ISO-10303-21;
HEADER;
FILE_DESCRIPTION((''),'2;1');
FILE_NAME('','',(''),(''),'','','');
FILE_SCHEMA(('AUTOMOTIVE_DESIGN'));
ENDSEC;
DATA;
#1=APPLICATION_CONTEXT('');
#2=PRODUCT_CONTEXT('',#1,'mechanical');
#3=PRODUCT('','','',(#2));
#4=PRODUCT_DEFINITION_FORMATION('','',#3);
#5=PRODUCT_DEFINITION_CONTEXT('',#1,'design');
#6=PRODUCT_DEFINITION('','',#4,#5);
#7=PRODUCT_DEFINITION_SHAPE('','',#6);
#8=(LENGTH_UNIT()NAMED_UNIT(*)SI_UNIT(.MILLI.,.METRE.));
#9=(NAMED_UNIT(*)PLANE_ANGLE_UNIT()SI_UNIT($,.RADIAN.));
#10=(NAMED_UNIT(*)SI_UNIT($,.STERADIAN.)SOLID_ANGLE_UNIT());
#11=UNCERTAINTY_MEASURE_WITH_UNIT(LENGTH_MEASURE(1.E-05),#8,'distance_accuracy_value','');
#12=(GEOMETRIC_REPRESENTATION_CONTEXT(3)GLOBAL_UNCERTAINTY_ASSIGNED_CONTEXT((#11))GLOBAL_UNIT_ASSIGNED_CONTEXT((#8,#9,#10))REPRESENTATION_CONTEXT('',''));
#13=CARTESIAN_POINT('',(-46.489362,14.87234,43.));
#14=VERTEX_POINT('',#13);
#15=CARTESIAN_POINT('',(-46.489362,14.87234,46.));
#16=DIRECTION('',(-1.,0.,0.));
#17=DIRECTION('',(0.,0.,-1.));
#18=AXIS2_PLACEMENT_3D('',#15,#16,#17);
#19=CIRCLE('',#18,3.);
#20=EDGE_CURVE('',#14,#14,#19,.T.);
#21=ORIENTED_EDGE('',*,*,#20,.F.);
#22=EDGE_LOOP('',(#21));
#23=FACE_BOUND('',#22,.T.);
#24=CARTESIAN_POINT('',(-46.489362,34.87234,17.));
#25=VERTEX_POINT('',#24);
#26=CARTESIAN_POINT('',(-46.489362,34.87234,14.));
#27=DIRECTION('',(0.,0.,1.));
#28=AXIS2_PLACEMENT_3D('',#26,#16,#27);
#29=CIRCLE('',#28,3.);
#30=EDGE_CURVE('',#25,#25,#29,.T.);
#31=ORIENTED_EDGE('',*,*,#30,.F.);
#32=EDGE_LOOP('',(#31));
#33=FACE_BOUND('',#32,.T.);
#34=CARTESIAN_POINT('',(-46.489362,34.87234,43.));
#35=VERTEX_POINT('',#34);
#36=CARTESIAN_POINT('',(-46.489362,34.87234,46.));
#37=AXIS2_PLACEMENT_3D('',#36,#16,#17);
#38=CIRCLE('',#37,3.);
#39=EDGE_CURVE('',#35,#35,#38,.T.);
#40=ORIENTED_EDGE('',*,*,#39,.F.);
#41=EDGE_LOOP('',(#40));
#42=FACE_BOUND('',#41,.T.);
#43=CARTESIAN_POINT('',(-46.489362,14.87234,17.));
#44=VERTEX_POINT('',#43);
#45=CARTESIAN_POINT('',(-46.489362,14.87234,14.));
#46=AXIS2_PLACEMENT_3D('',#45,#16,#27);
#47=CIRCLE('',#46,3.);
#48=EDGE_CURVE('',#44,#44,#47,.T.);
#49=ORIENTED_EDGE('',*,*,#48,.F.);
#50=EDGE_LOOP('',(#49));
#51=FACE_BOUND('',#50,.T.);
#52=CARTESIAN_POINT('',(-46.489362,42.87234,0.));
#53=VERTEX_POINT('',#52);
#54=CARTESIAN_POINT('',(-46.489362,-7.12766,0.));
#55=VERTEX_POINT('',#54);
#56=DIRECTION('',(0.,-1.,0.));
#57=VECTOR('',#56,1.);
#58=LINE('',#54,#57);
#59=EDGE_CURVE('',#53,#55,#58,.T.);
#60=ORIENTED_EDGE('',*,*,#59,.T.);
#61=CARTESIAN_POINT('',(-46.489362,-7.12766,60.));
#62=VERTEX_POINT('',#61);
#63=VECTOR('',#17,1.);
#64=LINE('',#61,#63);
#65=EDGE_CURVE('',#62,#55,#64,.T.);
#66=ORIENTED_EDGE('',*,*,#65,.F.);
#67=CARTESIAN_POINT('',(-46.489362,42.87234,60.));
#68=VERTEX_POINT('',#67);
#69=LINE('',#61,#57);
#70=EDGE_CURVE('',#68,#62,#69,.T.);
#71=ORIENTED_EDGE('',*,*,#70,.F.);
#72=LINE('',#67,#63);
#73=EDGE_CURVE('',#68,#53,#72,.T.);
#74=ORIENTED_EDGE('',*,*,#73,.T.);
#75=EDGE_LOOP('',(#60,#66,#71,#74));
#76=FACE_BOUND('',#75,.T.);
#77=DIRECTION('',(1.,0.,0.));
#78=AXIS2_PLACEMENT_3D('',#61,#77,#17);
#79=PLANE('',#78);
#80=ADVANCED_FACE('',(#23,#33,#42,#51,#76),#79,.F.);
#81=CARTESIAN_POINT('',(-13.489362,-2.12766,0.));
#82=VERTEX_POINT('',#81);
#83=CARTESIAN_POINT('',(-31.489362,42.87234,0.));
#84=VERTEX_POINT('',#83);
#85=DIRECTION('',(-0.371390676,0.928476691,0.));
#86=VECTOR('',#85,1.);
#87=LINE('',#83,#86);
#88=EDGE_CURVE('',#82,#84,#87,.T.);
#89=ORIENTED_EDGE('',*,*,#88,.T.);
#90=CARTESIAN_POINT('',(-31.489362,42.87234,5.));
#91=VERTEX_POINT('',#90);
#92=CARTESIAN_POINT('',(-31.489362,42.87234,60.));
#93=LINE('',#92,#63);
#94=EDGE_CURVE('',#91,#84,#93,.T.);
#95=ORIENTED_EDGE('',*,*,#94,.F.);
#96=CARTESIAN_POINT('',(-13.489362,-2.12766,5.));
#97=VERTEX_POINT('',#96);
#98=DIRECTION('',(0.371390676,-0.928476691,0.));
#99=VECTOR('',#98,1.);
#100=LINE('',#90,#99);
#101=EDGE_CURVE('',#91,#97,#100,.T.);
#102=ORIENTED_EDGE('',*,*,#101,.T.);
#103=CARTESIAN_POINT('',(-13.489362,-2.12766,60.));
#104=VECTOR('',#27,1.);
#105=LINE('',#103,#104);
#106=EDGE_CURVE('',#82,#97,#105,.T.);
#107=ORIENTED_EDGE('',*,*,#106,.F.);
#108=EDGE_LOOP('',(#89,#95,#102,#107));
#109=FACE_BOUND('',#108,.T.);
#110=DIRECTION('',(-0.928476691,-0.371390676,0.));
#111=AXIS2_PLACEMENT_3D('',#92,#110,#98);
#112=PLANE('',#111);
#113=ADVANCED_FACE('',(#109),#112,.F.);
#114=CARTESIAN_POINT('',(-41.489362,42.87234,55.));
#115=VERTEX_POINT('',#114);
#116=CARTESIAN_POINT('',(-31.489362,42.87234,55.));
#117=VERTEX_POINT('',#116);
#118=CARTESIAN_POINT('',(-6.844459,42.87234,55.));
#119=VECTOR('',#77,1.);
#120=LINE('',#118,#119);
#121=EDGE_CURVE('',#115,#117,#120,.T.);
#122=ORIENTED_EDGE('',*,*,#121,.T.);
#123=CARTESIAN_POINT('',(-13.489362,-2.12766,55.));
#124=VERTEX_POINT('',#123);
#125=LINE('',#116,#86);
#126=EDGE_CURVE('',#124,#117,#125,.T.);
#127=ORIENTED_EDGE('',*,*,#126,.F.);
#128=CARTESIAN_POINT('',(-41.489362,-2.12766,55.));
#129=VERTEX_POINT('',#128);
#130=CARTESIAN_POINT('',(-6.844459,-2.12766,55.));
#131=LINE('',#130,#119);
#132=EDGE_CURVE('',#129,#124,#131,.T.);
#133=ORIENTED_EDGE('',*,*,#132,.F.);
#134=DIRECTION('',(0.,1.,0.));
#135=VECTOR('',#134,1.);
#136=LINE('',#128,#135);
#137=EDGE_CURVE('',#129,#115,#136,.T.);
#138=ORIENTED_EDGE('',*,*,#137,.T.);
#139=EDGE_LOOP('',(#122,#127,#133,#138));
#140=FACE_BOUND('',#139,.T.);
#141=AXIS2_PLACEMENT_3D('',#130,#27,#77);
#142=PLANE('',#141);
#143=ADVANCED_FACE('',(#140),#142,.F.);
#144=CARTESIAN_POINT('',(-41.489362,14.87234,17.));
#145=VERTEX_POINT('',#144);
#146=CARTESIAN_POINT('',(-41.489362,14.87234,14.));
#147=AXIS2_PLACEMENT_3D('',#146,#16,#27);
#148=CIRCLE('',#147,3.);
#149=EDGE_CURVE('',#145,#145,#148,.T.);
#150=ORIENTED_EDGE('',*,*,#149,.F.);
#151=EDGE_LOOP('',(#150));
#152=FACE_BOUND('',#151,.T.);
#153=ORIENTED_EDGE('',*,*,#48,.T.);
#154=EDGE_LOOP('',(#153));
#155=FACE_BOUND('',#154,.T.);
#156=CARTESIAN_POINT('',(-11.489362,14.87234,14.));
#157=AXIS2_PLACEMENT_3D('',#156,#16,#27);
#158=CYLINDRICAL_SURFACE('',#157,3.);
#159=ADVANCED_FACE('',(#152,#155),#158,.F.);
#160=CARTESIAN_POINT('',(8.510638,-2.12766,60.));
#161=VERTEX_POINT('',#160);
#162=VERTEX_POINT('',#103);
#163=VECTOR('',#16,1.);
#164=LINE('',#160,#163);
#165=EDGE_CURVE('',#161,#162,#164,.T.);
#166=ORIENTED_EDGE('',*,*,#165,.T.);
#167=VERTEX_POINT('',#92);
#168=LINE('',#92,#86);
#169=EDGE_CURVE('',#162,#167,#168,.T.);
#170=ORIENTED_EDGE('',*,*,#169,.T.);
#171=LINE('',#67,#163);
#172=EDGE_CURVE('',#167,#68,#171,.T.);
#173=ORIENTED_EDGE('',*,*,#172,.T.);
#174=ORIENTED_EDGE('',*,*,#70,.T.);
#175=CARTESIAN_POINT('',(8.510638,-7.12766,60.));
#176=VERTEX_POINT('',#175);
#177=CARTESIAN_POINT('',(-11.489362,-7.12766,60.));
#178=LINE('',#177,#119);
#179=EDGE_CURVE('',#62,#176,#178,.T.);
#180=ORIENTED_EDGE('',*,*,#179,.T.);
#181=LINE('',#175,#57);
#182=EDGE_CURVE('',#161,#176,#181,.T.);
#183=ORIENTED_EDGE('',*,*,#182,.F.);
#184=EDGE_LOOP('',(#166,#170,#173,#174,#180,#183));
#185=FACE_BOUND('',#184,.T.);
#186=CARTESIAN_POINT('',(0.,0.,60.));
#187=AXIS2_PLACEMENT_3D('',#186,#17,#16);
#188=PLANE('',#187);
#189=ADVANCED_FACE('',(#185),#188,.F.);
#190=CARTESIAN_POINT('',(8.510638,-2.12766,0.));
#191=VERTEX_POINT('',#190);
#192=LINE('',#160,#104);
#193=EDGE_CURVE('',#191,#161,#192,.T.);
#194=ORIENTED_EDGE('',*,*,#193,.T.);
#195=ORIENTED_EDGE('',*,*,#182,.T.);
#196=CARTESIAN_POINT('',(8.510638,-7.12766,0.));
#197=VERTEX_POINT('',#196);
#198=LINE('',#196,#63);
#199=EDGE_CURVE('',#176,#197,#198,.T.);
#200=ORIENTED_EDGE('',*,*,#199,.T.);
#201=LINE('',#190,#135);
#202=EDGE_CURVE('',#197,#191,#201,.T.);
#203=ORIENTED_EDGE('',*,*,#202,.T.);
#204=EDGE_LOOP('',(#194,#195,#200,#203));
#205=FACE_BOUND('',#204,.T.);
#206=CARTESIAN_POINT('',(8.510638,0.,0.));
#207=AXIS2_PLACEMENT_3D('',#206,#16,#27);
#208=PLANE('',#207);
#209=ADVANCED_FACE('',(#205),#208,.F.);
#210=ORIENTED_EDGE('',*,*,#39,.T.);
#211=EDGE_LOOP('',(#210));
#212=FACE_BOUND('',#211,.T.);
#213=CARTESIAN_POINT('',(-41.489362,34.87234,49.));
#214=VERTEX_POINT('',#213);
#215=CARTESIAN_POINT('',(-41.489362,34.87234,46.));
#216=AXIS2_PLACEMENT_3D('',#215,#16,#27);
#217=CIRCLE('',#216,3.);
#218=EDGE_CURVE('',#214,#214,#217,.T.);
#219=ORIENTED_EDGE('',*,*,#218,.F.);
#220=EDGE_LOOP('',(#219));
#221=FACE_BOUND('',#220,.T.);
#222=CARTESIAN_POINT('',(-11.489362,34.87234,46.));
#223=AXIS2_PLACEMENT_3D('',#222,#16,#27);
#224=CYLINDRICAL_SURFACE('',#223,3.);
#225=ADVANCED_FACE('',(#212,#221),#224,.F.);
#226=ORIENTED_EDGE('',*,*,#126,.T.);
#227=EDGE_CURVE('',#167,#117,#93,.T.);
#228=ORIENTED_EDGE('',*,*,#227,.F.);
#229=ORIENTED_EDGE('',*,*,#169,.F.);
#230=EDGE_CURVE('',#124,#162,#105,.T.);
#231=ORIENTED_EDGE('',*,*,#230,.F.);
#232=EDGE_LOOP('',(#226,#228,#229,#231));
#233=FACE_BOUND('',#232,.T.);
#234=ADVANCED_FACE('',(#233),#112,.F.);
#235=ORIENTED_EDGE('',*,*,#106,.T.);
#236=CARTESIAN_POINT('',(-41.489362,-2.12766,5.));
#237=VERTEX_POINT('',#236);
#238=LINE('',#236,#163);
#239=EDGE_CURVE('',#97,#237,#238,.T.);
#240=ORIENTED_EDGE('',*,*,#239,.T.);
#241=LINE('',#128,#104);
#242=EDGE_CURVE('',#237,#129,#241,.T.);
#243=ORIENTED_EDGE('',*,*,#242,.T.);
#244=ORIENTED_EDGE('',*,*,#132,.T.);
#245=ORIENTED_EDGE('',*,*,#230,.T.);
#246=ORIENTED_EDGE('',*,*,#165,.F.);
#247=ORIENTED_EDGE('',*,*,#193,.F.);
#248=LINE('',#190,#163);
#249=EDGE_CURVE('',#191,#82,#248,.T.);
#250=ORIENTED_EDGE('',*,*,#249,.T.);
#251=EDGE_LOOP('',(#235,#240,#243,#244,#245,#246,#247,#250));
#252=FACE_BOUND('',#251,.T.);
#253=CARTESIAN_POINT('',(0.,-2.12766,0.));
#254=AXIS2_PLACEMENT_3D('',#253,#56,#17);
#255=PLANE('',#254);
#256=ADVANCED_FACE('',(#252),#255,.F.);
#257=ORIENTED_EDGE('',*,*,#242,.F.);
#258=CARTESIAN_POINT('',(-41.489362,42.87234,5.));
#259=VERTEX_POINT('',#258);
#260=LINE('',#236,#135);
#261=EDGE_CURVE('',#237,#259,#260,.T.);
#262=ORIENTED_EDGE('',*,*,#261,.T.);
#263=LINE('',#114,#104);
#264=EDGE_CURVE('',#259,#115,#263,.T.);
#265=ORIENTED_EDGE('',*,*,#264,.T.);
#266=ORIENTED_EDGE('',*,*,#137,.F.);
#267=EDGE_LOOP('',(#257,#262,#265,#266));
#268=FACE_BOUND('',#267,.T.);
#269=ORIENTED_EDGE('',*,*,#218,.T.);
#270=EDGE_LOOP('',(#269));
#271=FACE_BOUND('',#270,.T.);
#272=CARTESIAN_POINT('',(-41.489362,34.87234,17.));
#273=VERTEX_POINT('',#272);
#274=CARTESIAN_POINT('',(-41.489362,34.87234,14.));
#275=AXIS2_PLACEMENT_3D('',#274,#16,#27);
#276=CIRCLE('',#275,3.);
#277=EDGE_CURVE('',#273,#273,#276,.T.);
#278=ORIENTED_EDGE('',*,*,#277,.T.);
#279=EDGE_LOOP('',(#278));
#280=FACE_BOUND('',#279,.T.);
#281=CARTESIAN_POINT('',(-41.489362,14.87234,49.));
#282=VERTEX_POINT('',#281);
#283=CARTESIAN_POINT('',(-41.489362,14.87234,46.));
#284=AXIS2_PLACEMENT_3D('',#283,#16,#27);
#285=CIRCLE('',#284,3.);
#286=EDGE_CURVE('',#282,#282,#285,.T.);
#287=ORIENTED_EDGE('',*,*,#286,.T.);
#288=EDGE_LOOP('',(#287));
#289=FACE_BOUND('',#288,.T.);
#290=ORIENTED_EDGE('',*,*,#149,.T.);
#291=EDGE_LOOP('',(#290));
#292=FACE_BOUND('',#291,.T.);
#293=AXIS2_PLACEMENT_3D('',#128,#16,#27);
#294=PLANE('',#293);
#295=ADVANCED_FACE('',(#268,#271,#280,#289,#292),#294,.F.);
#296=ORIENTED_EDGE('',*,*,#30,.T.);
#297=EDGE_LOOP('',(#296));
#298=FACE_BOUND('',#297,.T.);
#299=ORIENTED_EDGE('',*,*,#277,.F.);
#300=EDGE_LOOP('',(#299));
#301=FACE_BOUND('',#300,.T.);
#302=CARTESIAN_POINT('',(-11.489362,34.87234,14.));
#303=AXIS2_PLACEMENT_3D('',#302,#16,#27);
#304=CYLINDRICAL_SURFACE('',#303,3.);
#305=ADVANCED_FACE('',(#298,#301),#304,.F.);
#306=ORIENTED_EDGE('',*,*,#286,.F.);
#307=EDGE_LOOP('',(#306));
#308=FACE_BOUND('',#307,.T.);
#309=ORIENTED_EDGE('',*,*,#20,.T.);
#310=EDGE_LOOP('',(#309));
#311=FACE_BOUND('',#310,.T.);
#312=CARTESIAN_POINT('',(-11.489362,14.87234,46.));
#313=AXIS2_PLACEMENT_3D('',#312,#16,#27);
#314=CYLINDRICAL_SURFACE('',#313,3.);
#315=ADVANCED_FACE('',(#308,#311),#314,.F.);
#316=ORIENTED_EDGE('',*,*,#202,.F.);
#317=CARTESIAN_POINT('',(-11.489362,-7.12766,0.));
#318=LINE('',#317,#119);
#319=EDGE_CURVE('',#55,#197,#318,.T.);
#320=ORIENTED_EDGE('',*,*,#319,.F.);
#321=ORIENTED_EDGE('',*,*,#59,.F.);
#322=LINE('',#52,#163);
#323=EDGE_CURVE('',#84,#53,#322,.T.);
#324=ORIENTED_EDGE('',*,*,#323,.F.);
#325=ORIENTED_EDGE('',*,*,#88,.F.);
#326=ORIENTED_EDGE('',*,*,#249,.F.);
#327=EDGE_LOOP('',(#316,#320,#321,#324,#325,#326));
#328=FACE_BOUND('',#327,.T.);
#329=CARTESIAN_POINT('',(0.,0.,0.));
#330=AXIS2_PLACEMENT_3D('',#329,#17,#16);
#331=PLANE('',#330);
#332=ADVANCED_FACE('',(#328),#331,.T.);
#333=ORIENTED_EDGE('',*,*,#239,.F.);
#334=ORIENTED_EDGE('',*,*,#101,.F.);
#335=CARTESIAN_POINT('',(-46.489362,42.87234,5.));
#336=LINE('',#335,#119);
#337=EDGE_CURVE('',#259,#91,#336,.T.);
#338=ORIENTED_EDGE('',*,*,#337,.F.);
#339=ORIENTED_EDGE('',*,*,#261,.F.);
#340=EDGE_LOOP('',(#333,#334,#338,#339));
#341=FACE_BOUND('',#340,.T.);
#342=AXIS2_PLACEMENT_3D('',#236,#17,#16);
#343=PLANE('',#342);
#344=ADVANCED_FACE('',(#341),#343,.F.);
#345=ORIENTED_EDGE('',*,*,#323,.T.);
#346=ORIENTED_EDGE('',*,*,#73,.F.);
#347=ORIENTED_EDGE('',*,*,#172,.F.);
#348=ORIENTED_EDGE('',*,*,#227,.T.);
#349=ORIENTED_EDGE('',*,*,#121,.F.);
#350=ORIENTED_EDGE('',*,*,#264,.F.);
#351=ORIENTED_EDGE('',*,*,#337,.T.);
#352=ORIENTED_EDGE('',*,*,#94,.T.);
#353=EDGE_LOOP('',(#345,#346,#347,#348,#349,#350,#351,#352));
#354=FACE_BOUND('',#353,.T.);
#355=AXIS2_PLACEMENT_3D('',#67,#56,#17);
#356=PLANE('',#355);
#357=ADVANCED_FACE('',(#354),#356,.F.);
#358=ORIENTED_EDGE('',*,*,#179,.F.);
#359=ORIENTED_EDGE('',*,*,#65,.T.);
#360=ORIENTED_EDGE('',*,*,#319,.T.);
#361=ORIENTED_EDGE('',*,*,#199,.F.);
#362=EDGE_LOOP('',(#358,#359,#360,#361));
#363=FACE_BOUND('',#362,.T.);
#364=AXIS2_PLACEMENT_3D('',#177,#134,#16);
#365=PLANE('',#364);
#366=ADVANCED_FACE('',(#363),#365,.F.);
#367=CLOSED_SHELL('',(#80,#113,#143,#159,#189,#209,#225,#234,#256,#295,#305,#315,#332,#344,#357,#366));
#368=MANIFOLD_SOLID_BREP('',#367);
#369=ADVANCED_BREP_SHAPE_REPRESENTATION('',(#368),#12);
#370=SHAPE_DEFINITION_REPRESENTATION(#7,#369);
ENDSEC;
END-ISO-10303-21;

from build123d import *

# Parameters (mm, degrees)
EXTRUDE_1_DEPTH     = 60
SKETCH_2_W          = 34.644902364
SKETCH_2_H          = 50
CUT_EXTRUDE_1_DEPTH = 45
SKETCH_3_R          = 3
SKETCH_3_R_2        = 2.5
CUT_EXTRUDE_2_DEPTH = 91.891477881
SKETCH_4_R          = 3
CUT_EXTRUDE_3_DEPTH = 82.627431502
SKETCH_5_W          = 60
SKETCH_5_H          = 5
EXTRUDE_2_DEPTH     = 50


with BuildPart() as part:
    # 草图1 → 凸台-拉伸1 (new body)
    with BuildSketch(Plane.XY):
        Polygon((-11.489361702, -7.127659574), (-46.489361702, -7.127659574), (-46.489361702, 42.872340426), (-31.489361702, 42.872340426), align=None)
    extrude(amount=EXTRUDE_1_DEPTH)

    # 草图2 → 切除-拉伸1 (cut)
    with BuildSketch(Plane(origin=(0, 42.872340426, 0), x_dir=(1, 0, 0), z_dir=(0, 1, 0))):
        with Locations((-24.16691052, -30)):
            Rectangle(SKETCH_2_W, SKETCH_2_H)
    extrude(amount=-CUT_EXTRUDE_1_DEPTH, mode=Mode.SUBTRACT)

    # 草图3 → 切除-拉伸2 (cut, through all)
    with BuildSketch(Plane.XZ.offset(7.127659574)):
        with Locations((-35.489361702, 48)):
            Circle(SKETCH_3_R)
        with Locations(Location((-35.489361702, 12, 0), (0, 0, 270))):
            Circle(SKETCH_3_R)
        with Locations(Location((-19.489361702, 12, 0), (0, 0, 270))):
            Circle(SKETCH_3_R_2)
        with Locations((-19.489361702, 48)):
            Circle(SKETCH_3_R_2)
    extrude(amount=-CUT_EXTRUDE_2_DEPTH, mode=Mode.SUBTRACT)

    # 草图4 → 切除-拉伸3 (cut, through all)
    with BuildSketch(Plane.ZY.offset(46.489361702)):
        with Locations((14, 34.872340426)):
            Circle(SKETCH_4_R)
        with Locations((46, 34.872340426)):
            Circle(SKETCH_4_R)
        with Locations((14, 14.872340426)):
            Circle(SKETCH_4_R)
        with Locations((46, 14.872340426)):
            Circle(SKETCH_4_R)
    extrude(amount=-CUT_EXTRUDE_3_DEPTH, mode=Mode.SUBTRACT)

    # 草图5 → 凸台-拉伸2 (add)
    with BuildSketch(Plane(origin=(-41.489361702, 0, 0), x_dir=(0, 0, -1), z_dir=(1, 0, 0))):
        with Locations((-30, -4.627659574)):
            Rectangle(SKETCH_5_W, SKETCH_5_H)
    extrude(amount=EXTRUDE_2_DEPTH)


solid = part.part
